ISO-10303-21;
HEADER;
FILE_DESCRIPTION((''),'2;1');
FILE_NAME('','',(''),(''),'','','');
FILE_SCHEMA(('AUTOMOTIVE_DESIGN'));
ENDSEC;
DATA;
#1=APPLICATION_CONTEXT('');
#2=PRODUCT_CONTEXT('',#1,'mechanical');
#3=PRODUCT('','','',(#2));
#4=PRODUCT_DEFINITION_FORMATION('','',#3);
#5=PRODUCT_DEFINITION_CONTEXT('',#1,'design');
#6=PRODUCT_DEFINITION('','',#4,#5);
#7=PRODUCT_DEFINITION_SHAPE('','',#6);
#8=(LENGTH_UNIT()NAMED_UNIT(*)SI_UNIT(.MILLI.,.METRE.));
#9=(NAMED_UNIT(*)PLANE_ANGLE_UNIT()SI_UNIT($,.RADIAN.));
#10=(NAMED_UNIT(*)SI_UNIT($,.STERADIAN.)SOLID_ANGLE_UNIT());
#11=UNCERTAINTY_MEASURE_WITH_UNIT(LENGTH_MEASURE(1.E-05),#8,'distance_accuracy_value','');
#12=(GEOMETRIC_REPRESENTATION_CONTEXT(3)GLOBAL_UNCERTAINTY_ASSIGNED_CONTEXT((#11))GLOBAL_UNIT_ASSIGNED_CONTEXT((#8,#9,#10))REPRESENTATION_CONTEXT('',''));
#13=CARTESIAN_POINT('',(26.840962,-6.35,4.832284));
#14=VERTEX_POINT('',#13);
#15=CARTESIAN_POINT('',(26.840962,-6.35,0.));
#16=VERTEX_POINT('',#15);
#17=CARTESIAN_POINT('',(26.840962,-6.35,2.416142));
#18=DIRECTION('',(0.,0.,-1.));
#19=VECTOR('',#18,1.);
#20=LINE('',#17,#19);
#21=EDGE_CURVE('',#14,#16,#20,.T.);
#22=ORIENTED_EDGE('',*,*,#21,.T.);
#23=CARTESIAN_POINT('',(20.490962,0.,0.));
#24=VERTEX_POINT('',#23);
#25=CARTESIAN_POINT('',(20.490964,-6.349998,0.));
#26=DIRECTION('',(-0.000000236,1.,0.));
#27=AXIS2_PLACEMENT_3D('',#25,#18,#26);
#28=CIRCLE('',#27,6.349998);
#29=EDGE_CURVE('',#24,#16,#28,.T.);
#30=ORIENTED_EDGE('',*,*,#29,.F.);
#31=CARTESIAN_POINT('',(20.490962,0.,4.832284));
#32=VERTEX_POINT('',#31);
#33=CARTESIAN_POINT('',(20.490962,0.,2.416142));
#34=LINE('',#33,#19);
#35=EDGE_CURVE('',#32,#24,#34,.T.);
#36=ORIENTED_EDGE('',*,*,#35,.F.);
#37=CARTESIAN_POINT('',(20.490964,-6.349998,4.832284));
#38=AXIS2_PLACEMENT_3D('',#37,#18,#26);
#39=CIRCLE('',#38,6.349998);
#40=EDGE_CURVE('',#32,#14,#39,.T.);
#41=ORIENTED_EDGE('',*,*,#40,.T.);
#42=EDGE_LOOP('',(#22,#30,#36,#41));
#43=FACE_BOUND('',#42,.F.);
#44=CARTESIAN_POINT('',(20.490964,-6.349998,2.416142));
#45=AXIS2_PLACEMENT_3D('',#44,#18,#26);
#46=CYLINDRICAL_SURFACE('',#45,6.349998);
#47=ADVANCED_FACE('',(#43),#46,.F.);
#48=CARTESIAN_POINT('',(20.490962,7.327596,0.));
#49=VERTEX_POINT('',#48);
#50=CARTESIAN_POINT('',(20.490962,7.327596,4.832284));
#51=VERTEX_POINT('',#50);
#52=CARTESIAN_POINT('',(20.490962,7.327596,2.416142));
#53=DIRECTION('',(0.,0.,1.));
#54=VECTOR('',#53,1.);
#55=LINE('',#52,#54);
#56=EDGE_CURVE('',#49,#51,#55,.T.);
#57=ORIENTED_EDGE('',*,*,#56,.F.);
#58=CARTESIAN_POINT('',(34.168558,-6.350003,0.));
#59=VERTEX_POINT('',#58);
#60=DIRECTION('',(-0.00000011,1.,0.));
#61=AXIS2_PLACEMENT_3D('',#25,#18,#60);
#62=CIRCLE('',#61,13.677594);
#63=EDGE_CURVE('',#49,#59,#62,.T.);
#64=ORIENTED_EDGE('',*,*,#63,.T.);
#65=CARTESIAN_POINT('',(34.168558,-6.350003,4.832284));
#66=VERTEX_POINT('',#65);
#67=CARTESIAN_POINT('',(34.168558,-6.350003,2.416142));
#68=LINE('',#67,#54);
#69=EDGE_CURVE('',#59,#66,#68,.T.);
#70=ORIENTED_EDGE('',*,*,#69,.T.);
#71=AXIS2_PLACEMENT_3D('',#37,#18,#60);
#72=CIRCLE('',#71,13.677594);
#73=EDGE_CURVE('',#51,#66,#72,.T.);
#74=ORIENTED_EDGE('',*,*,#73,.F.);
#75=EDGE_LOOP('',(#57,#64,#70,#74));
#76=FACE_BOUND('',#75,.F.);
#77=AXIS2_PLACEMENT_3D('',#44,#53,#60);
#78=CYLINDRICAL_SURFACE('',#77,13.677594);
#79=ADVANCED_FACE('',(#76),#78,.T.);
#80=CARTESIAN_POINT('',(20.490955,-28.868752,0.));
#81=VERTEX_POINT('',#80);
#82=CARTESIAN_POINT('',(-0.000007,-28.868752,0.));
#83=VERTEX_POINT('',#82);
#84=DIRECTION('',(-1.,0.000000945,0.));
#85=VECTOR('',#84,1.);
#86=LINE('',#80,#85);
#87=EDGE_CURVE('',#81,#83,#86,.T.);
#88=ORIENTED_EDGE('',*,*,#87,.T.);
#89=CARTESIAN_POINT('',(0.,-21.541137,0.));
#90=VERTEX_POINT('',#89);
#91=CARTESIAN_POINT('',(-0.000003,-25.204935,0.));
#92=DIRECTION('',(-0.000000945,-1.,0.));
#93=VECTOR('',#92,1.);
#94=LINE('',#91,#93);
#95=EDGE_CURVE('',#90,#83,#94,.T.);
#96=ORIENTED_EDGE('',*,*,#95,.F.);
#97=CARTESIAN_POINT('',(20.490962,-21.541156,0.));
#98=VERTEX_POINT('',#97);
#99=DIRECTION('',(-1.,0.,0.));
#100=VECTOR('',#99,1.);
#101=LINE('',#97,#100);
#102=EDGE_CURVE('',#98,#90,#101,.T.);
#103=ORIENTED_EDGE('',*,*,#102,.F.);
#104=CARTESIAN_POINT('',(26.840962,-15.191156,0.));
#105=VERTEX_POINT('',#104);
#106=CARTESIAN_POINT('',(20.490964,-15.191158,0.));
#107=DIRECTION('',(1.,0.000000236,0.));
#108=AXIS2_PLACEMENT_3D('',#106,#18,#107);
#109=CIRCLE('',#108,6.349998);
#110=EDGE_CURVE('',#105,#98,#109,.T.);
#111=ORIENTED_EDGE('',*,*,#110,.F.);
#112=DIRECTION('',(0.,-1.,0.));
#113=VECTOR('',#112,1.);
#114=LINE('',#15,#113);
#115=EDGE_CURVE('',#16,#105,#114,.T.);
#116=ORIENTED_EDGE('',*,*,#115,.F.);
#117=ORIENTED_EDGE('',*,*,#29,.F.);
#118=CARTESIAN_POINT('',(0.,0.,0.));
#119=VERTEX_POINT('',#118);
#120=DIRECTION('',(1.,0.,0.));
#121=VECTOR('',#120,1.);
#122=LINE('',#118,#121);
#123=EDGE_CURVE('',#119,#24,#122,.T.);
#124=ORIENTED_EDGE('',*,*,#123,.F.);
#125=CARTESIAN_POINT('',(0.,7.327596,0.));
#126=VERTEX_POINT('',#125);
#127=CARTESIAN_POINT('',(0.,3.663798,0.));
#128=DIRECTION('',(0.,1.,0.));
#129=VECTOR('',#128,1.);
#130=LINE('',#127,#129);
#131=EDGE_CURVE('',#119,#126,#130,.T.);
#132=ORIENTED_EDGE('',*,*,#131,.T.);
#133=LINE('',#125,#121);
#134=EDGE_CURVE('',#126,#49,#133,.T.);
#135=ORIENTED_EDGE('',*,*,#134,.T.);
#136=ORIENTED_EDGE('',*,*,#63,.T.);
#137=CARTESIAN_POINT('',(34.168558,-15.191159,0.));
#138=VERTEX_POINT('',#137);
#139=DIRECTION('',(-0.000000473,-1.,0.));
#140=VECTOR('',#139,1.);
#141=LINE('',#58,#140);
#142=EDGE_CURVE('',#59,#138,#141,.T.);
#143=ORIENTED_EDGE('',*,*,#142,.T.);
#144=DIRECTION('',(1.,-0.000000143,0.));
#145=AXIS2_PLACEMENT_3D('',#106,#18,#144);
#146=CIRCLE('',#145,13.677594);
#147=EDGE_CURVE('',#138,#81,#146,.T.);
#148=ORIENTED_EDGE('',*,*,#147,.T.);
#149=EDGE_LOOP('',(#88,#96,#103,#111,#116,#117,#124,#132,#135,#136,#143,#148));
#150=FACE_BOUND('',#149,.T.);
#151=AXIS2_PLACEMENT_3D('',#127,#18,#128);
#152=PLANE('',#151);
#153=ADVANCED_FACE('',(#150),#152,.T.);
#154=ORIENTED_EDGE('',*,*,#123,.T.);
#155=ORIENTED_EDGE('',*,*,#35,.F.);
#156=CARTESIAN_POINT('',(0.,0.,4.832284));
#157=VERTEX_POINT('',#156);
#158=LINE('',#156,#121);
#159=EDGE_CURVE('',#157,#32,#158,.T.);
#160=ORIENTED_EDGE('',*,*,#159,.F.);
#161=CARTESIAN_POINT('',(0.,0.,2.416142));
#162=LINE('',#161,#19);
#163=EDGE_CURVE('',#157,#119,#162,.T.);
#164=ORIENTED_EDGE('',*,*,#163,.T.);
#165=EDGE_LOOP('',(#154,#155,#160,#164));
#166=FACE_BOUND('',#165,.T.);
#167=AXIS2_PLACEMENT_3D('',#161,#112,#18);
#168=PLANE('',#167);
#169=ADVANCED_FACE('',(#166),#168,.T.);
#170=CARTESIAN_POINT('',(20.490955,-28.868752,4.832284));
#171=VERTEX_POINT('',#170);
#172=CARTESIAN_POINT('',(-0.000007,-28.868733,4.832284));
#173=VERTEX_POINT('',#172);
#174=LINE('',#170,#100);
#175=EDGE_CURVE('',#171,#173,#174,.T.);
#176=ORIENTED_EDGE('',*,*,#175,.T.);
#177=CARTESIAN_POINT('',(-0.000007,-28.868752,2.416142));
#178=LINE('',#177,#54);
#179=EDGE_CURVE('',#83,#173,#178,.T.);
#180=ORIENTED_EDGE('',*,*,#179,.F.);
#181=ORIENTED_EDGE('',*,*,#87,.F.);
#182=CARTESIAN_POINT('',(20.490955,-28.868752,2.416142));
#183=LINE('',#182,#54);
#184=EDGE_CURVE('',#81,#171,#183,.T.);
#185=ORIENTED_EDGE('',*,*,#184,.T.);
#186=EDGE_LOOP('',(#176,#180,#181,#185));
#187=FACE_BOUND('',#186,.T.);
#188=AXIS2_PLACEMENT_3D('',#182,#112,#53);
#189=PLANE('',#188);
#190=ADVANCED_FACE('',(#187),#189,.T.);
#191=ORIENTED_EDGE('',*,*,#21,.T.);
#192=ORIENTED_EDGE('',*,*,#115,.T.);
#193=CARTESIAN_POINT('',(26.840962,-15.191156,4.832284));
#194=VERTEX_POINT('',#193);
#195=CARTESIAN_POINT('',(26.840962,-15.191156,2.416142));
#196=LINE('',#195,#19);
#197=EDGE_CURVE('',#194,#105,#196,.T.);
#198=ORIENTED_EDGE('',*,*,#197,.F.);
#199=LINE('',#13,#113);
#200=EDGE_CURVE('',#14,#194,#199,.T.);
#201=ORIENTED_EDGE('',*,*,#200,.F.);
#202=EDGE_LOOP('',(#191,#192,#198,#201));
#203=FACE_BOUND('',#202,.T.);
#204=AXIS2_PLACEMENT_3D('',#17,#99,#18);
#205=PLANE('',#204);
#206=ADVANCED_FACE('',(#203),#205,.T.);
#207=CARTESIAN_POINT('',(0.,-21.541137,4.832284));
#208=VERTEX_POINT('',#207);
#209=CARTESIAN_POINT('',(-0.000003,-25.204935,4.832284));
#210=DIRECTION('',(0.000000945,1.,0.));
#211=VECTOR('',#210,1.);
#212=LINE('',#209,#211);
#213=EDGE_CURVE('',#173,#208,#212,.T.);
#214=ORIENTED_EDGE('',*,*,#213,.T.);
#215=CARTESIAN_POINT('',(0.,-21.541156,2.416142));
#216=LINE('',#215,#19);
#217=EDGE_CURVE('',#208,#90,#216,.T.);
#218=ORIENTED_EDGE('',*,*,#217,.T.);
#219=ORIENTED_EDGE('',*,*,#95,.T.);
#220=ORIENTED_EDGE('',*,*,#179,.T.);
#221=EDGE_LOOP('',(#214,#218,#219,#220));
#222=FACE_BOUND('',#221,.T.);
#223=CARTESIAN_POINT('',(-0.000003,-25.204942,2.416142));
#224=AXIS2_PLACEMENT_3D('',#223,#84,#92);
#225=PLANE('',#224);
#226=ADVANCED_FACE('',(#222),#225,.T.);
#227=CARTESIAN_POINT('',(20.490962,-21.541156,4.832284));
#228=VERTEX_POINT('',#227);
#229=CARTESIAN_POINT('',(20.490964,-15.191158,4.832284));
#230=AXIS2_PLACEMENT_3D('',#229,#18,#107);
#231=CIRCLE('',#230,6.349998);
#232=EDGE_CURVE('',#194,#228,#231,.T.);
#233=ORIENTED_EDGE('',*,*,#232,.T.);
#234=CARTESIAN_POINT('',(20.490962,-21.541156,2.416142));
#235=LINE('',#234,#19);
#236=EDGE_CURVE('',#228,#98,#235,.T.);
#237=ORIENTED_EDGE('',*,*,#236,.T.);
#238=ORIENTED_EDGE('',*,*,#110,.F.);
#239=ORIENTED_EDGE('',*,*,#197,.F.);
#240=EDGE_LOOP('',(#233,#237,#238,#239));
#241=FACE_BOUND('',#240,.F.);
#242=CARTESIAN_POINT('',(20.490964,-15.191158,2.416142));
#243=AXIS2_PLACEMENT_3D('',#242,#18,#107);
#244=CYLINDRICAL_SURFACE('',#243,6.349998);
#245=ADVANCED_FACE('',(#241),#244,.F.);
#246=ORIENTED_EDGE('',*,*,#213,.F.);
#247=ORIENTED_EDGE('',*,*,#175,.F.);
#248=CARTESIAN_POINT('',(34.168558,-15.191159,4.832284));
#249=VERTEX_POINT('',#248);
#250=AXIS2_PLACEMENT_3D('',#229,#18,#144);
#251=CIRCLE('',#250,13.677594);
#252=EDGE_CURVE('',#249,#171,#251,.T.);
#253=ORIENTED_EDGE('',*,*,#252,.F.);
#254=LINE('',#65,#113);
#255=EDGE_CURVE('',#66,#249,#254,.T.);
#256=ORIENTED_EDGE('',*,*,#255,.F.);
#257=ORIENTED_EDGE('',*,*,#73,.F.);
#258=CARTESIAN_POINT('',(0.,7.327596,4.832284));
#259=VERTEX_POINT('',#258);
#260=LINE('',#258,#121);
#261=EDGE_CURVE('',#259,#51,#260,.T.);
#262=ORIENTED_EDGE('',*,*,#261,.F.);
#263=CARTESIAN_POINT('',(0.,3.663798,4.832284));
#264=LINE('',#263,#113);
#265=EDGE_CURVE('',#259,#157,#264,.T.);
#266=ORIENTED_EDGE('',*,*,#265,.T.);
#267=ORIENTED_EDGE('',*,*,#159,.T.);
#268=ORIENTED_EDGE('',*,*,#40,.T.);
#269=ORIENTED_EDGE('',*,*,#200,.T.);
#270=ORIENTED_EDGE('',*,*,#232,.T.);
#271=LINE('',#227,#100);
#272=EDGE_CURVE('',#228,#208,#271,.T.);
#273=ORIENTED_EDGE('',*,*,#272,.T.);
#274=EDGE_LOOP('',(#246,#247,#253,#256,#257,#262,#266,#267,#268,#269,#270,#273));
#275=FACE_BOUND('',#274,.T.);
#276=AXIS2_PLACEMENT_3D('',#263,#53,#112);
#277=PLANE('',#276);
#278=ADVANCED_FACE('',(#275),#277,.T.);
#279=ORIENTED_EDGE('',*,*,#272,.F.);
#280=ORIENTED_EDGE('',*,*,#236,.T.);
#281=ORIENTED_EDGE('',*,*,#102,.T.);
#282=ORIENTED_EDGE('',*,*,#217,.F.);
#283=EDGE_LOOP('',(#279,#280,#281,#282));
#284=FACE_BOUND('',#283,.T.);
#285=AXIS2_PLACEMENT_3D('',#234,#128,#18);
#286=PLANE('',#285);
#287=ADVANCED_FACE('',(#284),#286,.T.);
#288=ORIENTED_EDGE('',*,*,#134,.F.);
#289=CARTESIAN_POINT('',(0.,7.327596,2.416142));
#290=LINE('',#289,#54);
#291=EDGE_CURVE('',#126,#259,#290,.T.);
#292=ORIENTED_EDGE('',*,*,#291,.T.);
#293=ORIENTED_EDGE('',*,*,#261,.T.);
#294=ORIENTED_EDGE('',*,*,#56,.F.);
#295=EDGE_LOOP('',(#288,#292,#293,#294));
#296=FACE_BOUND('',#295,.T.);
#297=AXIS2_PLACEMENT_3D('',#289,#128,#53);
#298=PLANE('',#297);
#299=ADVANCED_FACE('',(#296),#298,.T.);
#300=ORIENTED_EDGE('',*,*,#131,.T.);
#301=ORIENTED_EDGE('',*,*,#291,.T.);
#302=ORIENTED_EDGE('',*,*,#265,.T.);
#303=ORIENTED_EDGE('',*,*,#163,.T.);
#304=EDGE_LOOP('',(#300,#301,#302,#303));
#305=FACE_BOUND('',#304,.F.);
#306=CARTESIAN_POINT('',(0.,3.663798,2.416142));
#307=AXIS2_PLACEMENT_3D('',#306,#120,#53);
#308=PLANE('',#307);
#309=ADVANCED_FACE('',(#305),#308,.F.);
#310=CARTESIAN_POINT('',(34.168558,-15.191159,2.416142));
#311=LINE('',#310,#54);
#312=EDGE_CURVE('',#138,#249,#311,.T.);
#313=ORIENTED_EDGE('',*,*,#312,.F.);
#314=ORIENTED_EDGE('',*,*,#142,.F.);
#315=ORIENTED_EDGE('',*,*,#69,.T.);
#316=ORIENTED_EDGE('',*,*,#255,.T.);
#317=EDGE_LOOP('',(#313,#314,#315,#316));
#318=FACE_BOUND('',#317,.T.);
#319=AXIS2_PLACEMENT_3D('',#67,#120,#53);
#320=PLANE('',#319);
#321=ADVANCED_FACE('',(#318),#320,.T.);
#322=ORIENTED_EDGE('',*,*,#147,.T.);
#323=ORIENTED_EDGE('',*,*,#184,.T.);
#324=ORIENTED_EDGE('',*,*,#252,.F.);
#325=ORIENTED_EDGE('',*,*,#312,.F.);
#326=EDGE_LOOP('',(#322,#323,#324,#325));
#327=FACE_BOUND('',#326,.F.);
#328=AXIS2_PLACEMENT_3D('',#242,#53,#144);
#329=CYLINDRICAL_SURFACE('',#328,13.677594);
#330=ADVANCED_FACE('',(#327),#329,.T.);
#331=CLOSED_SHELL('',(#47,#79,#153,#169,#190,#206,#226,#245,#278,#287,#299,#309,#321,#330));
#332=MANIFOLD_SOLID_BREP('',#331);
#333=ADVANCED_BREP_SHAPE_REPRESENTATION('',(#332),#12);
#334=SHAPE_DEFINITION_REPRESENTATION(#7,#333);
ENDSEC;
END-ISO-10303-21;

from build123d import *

# Parameters (mm, degrees)
F1_W = 7.327596
F1_H = 4.832284


with BuildPart() as f2:
    # F2: sweep along a path in F0
    with BuildLine(Plane.XY) as f2_path:
        Line((0, 0), (20.490962, 0))
        ThreePointArc((20.490962, 0), (24.981091, -1.859872), (26.840962, -6.35))
        Line((26.840962, -6.35), (26.840962, -15.191156))
        ThreePointArc((26.840962, -15.191156), (24.981091, -19.681284), (20.490962, -21.541156))
        Line((20.490962, -21.541156), (0, -21.541156))
    # F1 (on Right) → F2 (sweep)
    with BuildSketch(Plane.YZ):
        with Locations((3.663798, 2.416142)):
            Rectangle(F1_W, F1_H)
    sweep(path=f2_path.line)


solid = f2.part
